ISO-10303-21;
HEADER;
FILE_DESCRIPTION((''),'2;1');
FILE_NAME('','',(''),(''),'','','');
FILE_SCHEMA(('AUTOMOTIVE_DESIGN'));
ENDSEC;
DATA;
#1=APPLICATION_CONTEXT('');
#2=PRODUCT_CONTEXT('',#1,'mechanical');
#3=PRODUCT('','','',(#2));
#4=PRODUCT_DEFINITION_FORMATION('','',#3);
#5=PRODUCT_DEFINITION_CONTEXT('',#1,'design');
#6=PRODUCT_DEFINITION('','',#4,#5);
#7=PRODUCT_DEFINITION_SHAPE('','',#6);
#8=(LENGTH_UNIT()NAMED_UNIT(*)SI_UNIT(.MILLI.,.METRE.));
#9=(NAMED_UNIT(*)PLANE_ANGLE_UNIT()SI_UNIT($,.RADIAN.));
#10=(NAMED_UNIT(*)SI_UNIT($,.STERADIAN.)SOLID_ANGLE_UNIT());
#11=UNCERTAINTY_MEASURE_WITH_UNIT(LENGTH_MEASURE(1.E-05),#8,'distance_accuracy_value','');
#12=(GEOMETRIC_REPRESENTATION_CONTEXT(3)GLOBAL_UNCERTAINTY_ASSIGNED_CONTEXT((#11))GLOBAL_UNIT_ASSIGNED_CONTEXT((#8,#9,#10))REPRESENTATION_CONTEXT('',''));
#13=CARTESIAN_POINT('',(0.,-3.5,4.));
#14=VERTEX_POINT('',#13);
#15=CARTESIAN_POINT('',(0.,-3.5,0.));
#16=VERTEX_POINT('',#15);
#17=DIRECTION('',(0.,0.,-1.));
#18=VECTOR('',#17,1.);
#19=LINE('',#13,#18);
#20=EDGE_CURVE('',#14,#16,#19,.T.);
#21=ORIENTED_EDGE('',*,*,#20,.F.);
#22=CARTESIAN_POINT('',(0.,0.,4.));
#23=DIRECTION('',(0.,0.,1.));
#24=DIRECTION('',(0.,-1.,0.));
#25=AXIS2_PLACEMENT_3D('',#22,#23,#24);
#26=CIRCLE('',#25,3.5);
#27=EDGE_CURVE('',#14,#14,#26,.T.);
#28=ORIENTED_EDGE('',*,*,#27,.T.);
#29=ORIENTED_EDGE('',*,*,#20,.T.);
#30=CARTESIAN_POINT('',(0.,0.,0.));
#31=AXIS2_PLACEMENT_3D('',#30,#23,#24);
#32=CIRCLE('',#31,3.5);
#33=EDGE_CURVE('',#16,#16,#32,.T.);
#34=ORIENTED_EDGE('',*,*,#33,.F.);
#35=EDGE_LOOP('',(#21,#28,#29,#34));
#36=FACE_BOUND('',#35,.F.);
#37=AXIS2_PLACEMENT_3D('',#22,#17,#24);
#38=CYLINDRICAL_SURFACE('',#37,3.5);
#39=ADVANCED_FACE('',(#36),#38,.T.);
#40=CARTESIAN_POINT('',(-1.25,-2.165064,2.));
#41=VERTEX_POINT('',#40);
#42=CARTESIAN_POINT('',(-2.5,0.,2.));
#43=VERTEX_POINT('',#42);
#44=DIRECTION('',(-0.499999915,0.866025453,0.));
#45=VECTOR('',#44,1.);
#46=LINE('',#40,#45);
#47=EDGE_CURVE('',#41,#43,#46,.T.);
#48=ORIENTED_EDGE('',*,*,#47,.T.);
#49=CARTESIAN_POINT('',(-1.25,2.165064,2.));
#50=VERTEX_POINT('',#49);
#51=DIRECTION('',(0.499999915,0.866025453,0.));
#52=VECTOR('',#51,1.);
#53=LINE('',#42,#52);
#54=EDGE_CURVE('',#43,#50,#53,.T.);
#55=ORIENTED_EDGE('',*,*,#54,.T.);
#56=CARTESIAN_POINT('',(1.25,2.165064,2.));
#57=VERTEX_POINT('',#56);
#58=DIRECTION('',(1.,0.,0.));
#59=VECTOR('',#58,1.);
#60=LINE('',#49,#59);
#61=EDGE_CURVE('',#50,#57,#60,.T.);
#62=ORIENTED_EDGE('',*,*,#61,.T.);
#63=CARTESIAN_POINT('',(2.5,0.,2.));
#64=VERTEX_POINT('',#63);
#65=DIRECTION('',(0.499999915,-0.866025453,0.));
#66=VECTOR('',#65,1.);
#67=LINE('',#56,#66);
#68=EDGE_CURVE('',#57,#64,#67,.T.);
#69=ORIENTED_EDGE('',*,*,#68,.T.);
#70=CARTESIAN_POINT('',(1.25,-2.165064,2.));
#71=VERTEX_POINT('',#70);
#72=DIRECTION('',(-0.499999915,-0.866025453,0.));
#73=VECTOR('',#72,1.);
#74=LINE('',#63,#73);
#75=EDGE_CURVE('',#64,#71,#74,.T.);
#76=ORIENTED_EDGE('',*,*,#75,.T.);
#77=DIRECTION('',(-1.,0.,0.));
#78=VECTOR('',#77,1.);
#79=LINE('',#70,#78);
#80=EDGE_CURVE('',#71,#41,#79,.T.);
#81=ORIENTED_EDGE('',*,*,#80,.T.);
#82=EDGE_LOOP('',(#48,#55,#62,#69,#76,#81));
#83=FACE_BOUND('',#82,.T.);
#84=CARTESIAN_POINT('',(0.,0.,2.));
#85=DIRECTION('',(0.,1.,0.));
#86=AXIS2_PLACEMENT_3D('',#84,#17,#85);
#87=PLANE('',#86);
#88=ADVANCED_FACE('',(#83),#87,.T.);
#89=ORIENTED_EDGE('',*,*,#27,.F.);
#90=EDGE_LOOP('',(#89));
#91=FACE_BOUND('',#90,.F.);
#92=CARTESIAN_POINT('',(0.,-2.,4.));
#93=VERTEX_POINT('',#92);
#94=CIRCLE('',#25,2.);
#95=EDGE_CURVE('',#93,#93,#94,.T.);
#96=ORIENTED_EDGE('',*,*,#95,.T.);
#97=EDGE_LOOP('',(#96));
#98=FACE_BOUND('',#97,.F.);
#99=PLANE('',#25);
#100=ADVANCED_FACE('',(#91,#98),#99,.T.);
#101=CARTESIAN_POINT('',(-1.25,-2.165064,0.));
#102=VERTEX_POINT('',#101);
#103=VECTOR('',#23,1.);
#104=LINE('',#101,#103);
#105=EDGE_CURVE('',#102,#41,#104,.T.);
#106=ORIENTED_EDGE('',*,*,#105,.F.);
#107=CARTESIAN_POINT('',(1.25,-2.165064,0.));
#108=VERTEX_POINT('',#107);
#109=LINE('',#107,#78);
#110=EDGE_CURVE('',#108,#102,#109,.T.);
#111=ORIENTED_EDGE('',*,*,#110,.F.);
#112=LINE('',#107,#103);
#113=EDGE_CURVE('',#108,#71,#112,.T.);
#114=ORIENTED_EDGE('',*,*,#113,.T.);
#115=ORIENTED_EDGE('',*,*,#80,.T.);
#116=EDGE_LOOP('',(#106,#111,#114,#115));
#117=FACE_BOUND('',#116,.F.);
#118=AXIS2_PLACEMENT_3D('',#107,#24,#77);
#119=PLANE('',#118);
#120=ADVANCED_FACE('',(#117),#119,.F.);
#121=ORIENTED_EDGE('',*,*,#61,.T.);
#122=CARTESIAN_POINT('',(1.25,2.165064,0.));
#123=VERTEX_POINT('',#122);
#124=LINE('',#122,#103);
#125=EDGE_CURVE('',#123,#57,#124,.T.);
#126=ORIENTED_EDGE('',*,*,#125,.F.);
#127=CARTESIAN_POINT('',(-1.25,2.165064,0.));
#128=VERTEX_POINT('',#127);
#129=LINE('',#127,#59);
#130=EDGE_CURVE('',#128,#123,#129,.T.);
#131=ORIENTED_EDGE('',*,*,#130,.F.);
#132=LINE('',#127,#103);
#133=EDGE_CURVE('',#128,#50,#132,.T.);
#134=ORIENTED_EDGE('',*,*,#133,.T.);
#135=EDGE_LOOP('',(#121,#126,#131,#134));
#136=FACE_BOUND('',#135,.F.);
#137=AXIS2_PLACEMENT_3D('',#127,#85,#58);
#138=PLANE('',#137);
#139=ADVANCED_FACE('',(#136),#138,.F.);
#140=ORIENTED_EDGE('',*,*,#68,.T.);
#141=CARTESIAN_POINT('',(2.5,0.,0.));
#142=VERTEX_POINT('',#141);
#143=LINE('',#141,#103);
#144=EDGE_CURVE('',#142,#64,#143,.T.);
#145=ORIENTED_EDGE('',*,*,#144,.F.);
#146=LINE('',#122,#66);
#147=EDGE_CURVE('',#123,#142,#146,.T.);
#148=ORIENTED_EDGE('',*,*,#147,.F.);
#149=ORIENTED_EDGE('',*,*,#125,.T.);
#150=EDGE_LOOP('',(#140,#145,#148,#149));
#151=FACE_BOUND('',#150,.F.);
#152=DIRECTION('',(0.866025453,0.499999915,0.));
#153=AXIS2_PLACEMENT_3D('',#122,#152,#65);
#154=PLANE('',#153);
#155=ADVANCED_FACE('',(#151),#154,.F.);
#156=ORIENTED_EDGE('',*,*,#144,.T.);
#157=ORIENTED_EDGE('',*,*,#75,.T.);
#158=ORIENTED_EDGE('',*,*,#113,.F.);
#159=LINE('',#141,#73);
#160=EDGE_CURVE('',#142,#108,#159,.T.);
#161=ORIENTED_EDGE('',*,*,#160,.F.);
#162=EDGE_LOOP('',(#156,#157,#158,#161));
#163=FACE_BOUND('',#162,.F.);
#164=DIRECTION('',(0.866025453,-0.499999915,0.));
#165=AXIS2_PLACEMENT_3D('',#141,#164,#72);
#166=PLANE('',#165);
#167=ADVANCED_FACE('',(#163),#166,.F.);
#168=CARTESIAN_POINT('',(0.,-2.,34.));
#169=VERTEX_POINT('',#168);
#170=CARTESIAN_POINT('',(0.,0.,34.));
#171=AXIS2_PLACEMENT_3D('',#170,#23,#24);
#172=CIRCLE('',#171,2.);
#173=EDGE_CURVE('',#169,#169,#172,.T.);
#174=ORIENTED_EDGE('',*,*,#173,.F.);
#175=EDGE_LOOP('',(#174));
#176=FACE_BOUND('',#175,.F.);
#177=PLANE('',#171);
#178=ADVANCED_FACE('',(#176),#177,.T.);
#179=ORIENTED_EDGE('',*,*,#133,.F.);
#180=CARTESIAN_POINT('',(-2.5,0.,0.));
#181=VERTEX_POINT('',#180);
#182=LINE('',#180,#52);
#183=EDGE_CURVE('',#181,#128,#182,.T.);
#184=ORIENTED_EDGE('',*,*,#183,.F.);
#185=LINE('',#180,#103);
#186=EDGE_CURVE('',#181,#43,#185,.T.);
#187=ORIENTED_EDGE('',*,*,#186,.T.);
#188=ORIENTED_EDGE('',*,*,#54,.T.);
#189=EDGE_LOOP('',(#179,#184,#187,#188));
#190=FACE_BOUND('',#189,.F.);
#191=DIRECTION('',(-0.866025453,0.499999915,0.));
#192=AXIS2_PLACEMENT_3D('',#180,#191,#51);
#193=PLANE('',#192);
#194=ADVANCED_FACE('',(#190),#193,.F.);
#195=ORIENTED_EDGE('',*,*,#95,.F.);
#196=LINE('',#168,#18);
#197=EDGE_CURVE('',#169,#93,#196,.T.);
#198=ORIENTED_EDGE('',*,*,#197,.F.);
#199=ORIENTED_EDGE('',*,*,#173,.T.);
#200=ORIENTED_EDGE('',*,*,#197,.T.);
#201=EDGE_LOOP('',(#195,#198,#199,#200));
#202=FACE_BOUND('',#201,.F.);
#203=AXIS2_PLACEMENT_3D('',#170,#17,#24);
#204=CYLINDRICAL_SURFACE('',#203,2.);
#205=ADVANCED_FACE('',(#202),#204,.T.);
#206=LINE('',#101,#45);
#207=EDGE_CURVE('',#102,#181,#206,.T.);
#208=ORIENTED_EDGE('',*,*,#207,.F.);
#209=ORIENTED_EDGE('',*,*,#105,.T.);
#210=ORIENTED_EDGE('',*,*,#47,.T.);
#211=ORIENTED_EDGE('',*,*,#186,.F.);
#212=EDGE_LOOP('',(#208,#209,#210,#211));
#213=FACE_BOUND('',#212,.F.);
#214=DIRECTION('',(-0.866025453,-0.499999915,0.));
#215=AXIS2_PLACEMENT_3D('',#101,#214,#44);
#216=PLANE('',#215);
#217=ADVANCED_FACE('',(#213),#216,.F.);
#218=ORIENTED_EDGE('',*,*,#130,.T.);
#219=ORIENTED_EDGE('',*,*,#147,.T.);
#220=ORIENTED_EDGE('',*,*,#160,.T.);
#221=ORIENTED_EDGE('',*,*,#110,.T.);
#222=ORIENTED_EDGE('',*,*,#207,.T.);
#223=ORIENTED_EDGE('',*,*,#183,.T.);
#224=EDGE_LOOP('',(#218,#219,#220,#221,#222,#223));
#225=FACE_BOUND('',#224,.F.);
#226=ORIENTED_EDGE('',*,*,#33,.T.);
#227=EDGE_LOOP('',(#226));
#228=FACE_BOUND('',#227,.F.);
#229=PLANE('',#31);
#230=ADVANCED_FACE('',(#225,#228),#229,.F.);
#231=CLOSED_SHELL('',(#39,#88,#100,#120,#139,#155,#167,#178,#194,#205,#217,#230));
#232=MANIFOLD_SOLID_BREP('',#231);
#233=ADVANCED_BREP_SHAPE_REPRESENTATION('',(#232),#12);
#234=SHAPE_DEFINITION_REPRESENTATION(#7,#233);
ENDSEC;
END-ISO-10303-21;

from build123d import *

# Parameters (mm, degrees)
POCKET_DEPTH = 2


with BuildPart() as part:
    # Sketch → Revolution (revolve)
    with BuildSketch(Plane.YZ):
        Polygon((-3.5, 4), (-3.5, 0), (0, 0), (0, 34), (-2, 34), (-2, 4), align=None)
    revolve(axis=Axis((0, 0, 0), (0, 0, 1)))

    # Sketch001 (on Face2 of Revolution) → Pocket (cut)
    with BuildSketch(Plane.YX):
        Polygon((0, 2.5), (-2.165064, 1.25), (-2.165064, -1.25), (0, -2.5), (2.165064, -1.25), (2.165064, 1.25), align=None)
    extrude(amount=-POCKET_DEPTH, mode=Mode.SUBTRACT)


solid = part.part
